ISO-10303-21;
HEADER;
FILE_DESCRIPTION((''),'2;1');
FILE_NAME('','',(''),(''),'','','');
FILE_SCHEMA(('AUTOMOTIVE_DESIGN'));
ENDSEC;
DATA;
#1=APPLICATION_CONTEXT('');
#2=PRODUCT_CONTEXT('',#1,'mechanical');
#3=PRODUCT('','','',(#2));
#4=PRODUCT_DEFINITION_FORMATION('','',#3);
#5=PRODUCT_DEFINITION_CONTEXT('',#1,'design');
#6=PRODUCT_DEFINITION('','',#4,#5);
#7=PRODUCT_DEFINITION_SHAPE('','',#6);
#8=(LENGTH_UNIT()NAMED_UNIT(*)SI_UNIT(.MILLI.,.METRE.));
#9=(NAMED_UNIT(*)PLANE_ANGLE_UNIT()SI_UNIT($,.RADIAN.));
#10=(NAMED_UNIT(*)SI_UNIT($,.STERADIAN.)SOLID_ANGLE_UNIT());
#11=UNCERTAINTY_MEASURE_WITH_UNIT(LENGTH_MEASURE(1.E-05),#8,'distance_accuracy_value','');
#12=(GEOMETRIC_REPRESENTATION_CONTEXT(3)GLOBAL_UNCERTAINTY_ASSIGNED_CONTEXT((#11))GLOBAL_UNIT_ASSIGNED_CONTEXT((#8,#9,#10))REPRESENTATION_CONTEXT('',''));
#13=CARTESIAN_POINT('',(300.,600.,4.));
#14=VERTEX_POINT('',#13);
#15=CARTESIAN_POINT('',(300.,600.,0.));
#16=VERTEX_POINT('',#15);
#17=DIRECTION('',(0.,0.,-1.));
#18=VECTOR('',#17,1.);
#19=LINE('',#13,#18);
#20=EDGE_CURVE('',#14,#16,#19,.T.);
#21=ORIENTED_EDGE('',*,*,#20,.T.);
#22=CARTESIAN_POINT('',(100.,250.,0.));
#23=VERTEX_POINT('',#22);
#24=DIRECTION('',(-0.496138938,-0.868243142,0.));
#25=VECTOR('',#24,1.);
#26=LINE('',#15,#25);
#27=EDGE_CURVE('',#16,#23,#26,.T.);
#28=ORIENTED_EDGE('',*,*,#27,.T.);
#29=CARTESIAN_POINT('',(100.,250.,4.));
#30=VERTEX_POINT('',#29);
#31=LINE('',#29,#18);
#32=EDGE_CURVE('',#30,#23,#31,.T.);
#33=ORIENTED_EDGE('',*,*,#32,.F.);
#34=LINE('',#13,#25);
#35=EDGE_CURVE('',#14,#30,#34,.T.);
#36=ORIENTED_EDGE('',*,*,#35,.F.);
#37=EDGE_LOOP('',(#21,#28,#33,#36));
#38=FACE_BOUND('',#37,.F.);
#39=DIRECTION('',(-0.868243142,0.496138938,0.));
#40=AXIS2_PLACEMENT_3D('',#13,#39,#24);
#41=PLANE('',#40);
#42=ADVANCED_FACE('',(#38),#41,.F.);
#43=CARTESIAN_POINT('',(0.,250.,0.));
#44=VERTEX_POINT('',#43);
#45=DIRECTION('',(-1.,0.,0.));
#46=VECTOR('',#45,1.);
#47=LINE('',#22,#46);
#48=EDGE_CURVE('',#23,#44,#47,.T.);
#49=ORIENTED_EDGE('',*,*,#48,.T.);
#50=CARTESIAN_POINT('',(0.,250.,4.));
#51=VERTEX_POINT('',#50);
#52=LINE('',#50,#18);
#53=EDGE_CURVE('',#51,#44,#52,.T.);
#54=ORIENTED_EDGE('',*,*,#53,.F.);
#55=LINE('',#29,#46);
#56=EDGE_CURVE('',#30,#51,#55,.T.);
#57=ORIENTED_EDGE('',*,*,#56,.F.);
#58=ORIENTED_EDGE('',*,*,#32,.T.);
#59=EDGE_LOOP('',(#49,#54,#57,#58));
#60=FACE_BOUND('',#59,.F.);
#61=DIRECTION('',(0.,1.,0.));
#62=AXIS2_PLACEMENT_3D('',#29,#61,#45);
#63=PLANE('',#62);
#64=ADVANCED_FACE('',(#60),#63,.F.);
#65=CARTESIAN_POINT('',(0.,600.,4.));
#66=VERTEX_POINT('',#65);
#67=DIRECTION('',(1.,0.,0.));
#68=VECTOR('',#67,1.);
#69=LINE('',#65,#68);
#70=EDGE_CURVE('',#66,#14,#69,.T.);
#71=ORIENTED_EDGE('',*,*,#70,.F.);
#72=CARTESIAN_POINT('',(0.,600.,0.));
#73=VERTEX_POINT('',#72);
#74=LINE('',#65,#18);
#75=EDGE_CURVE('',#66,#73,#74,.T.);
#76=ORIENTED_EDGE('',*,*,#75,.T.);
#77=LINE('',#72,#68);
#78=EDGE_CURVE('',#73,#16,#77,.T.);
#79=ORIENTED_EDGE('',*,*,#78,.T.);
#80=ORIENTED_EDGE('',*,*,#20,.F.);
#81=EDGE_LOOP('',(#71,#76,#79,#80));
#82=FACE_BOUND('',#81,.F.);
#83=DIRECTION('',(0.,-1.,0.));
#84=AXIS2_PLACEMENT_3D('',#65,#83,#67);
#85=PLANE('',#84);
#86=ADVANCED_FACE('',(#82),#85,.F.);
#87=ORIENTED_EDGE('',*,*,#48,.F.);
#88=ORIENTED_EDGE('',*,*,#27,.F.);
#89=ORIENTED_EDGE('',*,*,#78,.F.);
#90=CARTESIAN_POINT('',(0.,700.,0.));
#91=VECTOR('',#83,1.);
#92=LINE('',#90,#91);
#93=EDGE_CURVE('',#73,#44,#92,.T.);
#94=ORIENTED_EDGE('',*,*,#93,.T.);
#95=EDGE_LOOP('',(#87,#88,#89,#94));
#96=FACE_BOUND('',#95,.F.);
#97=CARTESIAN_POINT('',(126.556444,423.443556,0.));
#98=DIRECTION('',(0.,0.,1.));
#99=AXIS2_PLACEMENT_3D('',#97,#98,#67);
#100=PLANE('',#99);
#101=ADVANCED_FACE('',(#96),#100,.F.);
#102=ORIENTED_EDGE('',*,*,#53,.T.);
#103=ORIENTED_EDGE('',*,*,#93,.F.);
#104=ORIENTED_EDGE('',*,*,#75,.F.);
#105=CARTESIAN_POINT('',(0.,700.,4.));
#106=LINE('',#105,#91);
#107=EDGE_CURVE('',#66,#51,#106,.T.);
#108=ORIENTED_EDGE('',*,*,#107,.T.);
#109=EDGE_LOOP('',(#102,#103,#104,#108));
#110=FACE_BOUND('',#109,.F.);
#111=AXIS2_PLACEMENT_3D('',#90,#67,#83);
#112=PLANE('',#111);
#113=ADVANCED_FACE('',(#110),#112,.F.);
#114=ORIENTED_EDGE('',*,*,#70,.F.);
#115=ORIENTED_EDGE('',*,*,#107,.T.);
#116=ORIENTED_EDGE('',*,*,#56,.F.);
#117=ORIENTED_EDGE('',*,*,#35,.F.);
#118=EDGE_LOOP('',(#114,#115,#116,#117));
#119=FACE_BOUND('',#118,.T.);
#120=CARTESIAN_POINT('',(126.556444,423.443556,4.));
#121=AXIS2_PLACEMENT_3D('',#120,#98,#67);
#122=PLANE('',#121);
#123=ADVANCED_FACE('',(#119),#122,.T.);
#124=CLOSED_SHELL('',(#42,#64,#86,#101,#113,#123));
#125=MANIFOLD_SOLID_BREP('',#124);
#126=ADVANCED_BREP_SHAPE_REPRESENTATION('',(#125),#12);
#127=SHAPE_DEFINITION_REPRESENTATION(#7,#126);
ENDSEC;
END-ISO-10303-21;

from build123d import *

# Parameters (mm, degrees)
F1_DEPTH = 4
F3_DEPTH = 4


with BuildPart() as f1:
    # F0 (on Top) → F1 (new body)
    with BuildSketch(Plane.XY):
        Polygon((0, 700), (0, 0), (400, 700), align=None)
    extrude(amount=F1_DEPTH)

    # F2 (on face) → F3 (cut, through all)
    with BuildSketch(Plane.XY.offset(4)):
        Polygon((100, 250), (0, 250), (0, 0), (400, 700), (0, 700), (0, 600), (300, 600), align=None)
    extrude(amount=-F3_DEPTH, mode=Mode.SUBTRACT)


solid = f1.part
